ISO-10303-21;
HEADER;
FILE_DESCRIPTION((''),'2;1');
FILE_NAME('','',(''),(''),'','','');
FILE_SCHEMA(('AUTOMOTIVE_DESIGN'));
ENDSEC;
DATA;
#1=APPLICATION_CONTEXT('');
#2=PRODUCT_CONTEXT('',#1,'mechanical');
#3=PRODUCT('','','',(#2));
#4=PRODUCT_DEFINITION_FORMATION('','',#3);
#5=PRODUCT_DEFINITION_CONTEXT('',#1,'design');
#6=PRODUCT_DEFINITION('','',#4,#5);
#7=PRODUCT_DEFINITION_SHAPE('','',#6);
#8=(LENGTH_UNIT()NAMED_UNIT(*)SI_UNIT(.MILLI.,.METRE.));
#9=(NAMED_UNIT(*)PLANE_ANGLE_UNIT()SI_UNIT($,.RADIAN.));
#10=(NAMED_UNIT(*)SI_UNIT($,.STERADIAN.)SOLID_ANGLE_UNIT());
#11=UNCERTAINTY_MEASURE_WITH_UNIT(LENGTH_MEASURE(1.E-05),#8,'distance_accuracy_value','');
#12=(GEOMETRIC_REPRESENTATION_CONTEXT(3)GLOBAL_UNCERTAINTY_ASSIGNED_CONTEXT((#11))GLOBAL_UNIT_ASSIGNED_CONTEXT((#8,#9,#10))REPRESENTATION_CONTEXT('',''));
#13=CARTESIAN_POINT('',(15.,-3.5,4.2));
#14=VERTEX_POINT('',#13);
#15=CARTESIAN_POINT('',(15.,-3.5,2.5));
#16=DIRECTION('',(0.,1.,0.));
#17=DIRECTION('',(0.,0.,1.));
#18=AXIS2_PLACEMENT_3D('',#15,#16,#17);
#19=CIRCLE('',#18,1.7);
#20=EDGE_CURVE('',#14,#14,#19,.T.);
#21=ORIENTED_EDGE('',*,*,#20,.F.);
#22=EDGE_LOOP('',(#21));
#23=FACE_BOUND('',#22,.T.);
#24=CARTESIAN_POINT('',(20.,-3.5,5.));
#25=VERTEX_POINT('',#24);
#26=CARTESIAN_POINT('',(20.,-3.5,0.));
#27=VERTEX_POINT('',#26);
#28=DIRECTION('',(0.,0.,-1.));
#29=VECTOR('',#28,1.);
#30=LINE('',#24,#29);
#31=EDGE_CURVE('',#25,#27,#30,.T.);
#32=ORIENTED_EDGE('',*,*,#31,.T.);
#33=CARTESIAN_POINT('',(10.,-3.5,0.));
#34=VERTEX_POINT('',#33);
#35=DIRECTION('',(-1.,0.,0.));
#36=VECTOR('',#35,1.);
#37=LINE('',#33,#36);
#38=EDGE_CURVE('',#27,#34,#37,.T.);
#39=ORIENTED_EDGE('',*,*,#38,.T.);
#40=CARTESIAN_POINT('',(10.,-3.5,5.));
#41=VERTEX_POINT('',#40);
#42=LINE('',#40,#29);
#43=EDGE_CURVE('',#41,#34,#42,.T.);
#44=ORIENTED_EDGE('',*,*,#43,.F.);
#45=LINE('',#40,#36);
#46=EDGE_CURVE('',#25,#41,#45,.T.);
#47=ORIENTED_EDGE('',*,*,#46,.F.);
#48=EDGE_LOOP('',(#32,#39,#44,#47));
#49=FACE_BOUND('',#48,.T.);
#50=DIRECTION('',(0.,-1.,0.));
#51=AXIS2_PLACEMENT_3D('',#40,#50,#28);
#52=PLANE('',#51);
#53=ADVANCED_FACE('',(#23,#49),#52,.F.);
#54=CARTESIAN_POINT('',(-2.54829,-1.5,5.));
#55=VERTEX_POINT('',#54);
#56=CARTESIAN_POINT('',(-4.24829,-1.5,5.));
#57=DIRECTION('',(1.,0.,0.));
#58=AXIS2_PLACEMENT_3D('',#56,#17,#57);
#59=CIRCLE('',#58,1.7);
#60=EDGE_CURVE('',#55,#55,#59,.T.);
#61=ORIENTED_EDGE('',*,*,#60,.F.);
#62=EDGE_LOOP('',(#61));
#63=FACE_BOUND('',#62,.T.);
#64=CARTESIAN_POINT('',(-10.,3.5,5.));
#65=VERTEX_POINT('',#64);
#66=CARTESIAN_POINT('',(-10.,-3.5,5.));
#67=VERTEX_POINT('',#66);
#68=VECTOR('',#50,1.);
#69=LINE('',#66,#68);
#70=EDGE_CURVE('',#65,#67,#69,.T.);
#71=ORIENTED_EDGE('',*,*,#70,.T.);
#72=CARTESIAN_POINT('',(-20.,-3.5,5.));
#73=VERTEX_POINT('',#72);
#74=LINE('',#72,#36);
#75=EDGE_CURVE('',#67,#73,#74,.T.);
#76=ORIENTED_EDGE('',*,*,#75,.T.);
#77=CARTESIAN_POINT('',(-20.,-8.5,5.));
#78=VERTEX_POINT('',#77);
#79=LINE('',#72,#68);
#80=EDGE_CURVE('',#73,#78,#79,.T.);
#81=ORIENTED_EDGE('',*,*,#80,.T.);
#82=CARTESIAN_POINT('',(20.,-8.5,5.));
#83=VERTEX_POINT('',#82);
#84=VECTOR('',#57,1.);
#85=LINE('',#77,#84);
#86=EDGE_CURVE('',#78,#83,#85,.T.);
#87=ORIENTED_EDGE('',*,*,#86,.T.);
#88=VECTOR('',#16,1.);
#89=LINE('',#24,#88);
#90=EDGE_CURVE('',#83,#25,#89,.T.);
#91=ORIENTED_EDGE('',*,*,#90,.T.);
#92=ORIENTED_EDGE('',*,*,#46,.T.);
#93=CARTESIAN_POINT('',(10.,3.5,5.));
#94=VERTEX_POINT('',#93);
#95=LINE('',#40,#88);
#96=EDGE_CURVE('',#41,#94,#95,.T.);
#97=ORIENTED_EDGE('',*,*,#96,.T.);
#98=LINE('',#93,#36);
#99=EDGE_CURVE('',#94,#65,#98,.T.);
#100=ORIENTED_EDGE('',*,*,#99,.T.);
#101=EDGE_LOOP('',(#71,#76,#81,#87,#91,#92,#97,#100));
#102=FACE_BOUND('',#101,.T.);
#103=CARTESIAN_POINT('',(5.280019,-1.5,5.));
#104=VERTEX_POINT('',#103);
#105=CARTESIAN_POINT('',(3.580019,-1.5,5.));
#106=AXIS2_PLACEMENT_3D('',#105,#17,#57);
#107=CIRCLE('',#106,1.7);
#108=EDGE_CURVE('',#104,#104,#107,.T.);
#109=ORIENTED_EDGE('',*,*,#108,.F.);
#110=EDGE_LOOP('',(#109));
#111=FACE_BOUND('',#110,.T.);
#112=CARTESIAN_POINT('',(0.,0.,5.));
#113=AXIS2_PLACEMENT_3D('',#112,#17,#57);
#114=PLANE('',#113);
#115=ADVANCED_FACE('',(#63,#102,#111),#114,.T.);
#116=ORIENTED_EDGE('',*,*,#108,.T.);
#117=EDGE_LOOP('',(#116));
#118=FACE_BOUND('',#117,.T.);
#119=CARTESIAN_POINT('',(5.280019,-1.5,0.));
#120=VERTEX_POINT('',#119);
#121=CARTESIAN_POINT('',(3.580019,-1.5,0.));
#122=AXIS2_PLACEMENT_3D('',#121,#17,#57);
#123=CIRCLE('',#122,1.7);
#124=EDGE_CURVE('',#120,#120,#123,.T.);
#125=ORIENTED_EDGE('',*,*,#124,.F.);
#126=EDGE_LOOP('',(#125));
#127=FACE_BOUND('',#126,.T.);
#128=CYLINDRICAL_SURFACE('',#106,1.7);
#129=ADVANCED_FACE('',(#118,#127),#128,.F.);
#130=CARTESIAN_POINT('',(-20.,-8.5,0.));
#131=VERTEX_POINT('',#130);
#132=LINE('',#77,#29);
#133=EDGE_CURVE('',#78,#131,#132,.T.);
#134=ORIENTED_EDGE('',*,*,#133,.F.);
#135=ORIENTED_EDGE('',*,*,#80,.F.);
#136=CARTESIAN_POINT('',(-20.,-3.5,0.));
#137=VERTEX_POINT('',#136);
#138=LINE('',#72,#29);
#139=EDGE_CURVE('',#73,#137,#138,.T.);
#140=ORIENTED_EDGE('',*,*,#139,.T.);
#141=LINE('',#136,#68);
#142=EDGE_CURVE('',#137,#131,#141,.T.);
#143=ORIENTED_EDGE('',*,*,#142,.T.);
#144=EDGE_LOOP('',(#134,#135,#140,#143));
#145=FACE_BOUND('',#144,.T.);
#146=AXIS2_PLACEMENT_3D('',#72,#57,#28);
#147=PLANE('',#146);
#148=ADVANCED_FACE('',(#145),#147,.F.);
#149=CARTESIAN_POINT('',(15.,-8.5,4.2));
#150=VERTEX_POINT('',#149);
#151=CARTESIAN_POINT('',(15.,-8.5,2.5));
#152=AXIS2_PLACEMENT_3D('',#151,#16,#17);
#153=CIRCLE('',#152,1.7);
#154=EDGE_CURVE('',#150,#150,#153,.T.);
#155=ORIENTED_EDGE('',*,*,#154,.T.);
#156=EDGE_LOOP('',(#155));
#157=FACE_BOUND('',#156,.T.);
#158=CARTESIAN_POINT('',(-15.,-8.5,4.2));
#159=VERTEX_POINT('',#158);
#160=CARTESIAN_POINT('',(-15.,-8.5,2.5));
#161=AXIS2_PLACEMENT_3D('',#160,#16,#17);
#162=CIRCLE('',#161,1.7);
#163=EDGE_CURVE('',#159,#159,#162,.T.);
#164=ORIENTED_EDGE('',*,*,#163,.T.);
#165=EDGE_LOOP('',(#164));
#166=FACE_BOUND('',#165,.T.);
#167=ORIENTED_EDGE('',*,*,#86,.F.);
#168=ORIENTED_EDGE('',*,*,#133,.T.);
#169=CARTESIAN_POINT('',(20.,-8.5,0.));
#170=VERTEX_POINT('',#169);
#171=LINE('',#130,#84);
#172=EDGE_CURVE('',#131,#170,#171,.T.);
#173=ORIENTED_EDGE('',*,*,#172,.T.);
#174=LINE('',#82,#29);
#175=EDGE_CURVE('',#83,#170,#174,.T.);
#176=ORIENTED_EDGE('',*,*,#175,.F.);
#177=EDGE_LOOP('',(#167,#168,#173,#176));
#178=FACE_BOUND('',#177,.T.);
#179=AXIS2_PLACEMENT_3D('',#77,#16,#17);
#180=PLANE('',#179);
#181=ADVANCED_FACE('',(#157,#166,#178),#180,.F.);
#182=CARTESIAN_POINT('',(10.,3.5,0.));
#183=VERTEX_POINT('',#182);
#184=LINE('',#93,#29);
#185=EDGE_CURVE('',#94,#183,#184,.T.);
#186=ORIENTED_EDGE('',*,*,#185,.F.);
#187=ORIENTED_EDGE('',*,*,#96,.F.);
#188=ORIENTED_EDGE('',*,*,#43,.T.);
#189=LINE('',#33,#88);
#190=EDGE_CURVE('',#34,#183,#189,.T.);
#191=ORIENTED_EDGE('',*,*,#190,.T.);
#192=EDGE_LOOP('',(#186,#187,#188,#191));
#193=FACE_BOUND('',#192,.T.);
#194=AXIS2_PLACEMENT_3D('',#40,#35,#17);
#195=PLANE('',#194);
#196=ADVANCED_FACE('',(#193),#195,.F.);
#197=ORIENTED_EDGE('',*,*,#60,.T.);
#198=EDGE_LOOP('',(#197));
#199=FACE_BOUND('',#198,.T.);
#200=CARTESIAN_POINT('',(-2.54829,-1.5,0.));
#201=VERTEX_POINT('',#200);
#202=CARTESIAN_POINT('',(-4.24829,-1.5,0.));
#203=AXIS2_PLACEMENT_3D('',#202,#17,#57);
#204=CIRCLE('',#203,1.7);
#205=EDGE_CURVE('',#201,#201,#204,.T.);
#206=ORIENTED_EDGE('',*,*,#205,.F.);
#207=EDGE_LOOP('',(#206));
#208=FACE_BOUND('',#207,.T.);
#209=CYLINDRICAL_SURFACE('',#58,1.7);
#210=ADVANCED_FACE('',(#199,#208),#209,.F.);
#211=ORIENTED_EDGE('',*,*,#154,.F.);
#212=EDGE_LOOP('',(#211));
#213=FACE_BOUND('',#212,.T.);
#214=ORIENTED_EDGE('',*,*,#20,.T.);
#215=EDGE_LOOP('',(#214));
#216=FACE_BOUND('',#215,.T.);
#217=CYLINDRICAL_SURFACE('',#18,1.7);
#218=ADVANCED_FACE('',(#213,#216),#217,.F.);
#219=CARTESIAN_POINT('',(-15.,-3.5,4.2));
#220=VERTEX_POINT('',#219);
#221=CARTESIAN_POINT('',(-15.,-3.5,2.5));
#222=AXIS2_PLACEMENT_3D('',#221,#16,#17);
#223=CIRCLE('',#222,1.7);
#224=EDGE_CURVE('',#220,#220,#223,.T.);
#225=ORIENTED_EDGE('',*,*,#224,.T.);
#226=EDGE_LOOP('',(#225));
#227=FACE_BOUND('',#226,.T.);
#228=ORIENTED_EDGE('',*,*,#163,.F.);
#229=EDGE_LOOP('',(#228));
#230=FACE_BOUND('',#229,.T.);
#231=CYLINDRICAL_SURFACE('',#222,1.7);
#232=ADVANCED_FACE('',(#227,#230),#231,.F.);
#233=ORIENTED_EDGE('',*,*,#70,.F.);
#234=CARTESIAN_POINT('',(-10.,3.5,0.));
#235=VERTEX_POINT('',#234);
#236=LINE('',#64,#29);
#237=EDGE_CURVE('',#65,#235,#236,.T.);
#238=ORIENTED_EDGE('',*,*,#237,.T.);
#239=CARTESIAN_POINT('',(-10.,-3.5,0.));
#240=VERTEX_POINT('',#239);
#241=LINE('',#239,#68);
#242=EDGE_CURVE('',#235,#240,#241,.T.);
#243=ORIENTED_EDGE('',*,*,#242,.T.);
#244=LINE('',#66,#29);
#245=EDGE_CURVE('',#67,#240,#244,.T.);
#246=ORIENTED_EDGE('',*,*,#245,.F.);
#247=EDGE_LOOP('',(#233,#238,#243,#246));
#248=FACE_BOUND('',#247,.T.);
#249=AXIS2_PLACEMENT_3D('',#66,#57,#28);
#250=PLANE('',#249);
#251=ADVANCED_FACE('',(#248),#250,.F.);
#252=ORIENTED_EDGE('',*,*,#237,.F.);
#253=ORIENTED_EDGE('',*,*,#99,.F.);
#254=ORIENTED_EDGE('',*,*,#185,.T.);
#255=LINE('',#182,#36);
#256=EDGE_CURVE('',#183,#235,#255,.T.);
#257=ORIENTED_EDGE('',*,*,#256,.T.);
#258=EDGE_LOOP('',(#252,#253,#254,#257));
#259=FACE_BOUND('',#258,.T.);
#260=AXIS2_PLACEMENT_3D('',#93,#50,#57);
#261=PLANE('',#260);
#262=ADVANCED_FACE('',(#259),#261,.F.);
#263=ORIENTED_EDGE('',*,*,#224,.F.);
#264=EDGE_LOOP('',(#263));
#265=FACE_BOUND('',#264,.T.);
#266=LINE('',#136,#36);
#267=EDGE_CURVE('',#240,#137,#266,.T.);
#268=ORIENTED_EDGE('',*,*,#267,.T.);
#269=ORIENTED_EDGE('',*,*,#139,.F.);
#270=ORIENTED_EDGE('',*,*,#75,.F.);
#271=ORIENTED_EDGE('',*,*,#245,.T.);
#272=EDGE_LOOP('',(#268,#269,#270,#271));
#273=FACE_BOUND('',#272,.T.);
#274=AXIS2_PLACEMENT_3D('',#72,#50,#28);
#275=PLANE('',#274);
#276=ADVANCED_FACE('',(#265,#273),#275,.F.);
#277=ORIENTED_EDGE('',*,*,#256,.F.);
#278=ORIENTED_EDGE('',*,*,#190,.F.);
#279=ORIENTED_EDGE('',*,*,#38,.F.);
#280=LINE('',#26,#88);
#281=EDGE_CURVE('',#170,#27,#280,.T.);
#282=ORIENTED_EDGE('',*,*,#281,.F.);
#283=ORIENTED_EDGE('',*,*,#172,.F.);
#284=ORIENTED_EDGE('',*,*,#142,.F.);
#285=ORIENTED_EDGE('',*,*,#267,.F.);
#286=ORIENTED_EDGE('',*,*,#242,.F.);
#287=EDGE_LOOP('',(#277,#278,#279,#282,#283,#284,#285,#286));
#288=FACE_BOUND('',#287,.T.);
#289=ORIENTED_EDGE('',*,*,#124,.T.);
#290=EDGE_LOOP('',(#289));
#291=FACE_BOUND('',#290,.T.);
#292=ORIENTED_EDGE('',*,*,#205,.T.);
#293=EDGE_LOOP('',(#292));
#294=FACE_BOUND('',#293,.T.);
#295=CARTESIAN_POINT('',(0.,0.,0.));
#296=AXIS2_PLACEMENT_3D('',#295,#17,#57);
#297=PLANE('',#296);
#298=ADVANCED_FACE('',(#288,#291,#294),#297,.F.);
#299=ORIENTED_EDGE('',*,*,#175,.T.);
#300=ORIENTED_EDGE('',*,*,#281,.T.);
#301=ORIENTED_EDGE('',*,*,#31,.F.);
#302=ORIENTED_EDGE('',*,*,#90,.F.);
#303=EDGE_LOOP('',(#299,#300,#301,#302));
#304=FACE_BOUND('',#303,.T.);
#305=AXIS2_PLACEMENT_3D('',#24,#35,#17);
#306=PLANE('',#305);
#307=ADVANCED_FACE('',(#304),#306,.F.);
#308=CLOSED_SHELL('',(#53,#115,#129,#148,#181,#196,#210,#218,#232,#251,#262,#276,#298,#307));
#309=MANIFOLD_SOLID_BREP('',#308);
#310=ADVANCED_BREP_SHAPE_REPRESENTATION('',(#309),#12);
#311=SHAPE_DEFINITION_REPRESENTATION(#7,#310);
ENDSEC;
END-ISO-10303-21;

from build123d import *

# Parameters (mm, degrees)
BOSS_EXTRUDE1_DEPTH = 5
D_GAGEMENT_M31_D    = 3.4
D_GAGEMENT_M32_D    = 3.4


with BuildPart() as part:
    # Sketch1 → Boss-Extrude1 (new body)
    with BuildSketch(Plane.XY):
        Polygon((10, -3.5), (20, -3.5), (20, -8.5), (-20, -8.5), (-20, -3.5), (-10, -3.5), (-10, 3.5), (10, 3.5), align=None)
    extrude(amount=BOSS_EXTRUDE1_DEPTH)

    # Dégagement M31 (through all)
    with Locations(Plane.XY.offset(5)):
        with Locations((3.580019281, -1.5), (-4.248289546, -1.5)):
            Hole(D_GAGEMENT_M31_D / 2)

    # Dégagement M32 (through all)
    with Locations(Plane(origin=(0, -3.5, 0), x_dir=(1, 0, 0), z_dir=(0, 1, 0))):
        with Locations((-15, -2.5), (15, -2.5)):
            Hole(D_GAGEMENT_M32_D / 2)


solid = part.part
